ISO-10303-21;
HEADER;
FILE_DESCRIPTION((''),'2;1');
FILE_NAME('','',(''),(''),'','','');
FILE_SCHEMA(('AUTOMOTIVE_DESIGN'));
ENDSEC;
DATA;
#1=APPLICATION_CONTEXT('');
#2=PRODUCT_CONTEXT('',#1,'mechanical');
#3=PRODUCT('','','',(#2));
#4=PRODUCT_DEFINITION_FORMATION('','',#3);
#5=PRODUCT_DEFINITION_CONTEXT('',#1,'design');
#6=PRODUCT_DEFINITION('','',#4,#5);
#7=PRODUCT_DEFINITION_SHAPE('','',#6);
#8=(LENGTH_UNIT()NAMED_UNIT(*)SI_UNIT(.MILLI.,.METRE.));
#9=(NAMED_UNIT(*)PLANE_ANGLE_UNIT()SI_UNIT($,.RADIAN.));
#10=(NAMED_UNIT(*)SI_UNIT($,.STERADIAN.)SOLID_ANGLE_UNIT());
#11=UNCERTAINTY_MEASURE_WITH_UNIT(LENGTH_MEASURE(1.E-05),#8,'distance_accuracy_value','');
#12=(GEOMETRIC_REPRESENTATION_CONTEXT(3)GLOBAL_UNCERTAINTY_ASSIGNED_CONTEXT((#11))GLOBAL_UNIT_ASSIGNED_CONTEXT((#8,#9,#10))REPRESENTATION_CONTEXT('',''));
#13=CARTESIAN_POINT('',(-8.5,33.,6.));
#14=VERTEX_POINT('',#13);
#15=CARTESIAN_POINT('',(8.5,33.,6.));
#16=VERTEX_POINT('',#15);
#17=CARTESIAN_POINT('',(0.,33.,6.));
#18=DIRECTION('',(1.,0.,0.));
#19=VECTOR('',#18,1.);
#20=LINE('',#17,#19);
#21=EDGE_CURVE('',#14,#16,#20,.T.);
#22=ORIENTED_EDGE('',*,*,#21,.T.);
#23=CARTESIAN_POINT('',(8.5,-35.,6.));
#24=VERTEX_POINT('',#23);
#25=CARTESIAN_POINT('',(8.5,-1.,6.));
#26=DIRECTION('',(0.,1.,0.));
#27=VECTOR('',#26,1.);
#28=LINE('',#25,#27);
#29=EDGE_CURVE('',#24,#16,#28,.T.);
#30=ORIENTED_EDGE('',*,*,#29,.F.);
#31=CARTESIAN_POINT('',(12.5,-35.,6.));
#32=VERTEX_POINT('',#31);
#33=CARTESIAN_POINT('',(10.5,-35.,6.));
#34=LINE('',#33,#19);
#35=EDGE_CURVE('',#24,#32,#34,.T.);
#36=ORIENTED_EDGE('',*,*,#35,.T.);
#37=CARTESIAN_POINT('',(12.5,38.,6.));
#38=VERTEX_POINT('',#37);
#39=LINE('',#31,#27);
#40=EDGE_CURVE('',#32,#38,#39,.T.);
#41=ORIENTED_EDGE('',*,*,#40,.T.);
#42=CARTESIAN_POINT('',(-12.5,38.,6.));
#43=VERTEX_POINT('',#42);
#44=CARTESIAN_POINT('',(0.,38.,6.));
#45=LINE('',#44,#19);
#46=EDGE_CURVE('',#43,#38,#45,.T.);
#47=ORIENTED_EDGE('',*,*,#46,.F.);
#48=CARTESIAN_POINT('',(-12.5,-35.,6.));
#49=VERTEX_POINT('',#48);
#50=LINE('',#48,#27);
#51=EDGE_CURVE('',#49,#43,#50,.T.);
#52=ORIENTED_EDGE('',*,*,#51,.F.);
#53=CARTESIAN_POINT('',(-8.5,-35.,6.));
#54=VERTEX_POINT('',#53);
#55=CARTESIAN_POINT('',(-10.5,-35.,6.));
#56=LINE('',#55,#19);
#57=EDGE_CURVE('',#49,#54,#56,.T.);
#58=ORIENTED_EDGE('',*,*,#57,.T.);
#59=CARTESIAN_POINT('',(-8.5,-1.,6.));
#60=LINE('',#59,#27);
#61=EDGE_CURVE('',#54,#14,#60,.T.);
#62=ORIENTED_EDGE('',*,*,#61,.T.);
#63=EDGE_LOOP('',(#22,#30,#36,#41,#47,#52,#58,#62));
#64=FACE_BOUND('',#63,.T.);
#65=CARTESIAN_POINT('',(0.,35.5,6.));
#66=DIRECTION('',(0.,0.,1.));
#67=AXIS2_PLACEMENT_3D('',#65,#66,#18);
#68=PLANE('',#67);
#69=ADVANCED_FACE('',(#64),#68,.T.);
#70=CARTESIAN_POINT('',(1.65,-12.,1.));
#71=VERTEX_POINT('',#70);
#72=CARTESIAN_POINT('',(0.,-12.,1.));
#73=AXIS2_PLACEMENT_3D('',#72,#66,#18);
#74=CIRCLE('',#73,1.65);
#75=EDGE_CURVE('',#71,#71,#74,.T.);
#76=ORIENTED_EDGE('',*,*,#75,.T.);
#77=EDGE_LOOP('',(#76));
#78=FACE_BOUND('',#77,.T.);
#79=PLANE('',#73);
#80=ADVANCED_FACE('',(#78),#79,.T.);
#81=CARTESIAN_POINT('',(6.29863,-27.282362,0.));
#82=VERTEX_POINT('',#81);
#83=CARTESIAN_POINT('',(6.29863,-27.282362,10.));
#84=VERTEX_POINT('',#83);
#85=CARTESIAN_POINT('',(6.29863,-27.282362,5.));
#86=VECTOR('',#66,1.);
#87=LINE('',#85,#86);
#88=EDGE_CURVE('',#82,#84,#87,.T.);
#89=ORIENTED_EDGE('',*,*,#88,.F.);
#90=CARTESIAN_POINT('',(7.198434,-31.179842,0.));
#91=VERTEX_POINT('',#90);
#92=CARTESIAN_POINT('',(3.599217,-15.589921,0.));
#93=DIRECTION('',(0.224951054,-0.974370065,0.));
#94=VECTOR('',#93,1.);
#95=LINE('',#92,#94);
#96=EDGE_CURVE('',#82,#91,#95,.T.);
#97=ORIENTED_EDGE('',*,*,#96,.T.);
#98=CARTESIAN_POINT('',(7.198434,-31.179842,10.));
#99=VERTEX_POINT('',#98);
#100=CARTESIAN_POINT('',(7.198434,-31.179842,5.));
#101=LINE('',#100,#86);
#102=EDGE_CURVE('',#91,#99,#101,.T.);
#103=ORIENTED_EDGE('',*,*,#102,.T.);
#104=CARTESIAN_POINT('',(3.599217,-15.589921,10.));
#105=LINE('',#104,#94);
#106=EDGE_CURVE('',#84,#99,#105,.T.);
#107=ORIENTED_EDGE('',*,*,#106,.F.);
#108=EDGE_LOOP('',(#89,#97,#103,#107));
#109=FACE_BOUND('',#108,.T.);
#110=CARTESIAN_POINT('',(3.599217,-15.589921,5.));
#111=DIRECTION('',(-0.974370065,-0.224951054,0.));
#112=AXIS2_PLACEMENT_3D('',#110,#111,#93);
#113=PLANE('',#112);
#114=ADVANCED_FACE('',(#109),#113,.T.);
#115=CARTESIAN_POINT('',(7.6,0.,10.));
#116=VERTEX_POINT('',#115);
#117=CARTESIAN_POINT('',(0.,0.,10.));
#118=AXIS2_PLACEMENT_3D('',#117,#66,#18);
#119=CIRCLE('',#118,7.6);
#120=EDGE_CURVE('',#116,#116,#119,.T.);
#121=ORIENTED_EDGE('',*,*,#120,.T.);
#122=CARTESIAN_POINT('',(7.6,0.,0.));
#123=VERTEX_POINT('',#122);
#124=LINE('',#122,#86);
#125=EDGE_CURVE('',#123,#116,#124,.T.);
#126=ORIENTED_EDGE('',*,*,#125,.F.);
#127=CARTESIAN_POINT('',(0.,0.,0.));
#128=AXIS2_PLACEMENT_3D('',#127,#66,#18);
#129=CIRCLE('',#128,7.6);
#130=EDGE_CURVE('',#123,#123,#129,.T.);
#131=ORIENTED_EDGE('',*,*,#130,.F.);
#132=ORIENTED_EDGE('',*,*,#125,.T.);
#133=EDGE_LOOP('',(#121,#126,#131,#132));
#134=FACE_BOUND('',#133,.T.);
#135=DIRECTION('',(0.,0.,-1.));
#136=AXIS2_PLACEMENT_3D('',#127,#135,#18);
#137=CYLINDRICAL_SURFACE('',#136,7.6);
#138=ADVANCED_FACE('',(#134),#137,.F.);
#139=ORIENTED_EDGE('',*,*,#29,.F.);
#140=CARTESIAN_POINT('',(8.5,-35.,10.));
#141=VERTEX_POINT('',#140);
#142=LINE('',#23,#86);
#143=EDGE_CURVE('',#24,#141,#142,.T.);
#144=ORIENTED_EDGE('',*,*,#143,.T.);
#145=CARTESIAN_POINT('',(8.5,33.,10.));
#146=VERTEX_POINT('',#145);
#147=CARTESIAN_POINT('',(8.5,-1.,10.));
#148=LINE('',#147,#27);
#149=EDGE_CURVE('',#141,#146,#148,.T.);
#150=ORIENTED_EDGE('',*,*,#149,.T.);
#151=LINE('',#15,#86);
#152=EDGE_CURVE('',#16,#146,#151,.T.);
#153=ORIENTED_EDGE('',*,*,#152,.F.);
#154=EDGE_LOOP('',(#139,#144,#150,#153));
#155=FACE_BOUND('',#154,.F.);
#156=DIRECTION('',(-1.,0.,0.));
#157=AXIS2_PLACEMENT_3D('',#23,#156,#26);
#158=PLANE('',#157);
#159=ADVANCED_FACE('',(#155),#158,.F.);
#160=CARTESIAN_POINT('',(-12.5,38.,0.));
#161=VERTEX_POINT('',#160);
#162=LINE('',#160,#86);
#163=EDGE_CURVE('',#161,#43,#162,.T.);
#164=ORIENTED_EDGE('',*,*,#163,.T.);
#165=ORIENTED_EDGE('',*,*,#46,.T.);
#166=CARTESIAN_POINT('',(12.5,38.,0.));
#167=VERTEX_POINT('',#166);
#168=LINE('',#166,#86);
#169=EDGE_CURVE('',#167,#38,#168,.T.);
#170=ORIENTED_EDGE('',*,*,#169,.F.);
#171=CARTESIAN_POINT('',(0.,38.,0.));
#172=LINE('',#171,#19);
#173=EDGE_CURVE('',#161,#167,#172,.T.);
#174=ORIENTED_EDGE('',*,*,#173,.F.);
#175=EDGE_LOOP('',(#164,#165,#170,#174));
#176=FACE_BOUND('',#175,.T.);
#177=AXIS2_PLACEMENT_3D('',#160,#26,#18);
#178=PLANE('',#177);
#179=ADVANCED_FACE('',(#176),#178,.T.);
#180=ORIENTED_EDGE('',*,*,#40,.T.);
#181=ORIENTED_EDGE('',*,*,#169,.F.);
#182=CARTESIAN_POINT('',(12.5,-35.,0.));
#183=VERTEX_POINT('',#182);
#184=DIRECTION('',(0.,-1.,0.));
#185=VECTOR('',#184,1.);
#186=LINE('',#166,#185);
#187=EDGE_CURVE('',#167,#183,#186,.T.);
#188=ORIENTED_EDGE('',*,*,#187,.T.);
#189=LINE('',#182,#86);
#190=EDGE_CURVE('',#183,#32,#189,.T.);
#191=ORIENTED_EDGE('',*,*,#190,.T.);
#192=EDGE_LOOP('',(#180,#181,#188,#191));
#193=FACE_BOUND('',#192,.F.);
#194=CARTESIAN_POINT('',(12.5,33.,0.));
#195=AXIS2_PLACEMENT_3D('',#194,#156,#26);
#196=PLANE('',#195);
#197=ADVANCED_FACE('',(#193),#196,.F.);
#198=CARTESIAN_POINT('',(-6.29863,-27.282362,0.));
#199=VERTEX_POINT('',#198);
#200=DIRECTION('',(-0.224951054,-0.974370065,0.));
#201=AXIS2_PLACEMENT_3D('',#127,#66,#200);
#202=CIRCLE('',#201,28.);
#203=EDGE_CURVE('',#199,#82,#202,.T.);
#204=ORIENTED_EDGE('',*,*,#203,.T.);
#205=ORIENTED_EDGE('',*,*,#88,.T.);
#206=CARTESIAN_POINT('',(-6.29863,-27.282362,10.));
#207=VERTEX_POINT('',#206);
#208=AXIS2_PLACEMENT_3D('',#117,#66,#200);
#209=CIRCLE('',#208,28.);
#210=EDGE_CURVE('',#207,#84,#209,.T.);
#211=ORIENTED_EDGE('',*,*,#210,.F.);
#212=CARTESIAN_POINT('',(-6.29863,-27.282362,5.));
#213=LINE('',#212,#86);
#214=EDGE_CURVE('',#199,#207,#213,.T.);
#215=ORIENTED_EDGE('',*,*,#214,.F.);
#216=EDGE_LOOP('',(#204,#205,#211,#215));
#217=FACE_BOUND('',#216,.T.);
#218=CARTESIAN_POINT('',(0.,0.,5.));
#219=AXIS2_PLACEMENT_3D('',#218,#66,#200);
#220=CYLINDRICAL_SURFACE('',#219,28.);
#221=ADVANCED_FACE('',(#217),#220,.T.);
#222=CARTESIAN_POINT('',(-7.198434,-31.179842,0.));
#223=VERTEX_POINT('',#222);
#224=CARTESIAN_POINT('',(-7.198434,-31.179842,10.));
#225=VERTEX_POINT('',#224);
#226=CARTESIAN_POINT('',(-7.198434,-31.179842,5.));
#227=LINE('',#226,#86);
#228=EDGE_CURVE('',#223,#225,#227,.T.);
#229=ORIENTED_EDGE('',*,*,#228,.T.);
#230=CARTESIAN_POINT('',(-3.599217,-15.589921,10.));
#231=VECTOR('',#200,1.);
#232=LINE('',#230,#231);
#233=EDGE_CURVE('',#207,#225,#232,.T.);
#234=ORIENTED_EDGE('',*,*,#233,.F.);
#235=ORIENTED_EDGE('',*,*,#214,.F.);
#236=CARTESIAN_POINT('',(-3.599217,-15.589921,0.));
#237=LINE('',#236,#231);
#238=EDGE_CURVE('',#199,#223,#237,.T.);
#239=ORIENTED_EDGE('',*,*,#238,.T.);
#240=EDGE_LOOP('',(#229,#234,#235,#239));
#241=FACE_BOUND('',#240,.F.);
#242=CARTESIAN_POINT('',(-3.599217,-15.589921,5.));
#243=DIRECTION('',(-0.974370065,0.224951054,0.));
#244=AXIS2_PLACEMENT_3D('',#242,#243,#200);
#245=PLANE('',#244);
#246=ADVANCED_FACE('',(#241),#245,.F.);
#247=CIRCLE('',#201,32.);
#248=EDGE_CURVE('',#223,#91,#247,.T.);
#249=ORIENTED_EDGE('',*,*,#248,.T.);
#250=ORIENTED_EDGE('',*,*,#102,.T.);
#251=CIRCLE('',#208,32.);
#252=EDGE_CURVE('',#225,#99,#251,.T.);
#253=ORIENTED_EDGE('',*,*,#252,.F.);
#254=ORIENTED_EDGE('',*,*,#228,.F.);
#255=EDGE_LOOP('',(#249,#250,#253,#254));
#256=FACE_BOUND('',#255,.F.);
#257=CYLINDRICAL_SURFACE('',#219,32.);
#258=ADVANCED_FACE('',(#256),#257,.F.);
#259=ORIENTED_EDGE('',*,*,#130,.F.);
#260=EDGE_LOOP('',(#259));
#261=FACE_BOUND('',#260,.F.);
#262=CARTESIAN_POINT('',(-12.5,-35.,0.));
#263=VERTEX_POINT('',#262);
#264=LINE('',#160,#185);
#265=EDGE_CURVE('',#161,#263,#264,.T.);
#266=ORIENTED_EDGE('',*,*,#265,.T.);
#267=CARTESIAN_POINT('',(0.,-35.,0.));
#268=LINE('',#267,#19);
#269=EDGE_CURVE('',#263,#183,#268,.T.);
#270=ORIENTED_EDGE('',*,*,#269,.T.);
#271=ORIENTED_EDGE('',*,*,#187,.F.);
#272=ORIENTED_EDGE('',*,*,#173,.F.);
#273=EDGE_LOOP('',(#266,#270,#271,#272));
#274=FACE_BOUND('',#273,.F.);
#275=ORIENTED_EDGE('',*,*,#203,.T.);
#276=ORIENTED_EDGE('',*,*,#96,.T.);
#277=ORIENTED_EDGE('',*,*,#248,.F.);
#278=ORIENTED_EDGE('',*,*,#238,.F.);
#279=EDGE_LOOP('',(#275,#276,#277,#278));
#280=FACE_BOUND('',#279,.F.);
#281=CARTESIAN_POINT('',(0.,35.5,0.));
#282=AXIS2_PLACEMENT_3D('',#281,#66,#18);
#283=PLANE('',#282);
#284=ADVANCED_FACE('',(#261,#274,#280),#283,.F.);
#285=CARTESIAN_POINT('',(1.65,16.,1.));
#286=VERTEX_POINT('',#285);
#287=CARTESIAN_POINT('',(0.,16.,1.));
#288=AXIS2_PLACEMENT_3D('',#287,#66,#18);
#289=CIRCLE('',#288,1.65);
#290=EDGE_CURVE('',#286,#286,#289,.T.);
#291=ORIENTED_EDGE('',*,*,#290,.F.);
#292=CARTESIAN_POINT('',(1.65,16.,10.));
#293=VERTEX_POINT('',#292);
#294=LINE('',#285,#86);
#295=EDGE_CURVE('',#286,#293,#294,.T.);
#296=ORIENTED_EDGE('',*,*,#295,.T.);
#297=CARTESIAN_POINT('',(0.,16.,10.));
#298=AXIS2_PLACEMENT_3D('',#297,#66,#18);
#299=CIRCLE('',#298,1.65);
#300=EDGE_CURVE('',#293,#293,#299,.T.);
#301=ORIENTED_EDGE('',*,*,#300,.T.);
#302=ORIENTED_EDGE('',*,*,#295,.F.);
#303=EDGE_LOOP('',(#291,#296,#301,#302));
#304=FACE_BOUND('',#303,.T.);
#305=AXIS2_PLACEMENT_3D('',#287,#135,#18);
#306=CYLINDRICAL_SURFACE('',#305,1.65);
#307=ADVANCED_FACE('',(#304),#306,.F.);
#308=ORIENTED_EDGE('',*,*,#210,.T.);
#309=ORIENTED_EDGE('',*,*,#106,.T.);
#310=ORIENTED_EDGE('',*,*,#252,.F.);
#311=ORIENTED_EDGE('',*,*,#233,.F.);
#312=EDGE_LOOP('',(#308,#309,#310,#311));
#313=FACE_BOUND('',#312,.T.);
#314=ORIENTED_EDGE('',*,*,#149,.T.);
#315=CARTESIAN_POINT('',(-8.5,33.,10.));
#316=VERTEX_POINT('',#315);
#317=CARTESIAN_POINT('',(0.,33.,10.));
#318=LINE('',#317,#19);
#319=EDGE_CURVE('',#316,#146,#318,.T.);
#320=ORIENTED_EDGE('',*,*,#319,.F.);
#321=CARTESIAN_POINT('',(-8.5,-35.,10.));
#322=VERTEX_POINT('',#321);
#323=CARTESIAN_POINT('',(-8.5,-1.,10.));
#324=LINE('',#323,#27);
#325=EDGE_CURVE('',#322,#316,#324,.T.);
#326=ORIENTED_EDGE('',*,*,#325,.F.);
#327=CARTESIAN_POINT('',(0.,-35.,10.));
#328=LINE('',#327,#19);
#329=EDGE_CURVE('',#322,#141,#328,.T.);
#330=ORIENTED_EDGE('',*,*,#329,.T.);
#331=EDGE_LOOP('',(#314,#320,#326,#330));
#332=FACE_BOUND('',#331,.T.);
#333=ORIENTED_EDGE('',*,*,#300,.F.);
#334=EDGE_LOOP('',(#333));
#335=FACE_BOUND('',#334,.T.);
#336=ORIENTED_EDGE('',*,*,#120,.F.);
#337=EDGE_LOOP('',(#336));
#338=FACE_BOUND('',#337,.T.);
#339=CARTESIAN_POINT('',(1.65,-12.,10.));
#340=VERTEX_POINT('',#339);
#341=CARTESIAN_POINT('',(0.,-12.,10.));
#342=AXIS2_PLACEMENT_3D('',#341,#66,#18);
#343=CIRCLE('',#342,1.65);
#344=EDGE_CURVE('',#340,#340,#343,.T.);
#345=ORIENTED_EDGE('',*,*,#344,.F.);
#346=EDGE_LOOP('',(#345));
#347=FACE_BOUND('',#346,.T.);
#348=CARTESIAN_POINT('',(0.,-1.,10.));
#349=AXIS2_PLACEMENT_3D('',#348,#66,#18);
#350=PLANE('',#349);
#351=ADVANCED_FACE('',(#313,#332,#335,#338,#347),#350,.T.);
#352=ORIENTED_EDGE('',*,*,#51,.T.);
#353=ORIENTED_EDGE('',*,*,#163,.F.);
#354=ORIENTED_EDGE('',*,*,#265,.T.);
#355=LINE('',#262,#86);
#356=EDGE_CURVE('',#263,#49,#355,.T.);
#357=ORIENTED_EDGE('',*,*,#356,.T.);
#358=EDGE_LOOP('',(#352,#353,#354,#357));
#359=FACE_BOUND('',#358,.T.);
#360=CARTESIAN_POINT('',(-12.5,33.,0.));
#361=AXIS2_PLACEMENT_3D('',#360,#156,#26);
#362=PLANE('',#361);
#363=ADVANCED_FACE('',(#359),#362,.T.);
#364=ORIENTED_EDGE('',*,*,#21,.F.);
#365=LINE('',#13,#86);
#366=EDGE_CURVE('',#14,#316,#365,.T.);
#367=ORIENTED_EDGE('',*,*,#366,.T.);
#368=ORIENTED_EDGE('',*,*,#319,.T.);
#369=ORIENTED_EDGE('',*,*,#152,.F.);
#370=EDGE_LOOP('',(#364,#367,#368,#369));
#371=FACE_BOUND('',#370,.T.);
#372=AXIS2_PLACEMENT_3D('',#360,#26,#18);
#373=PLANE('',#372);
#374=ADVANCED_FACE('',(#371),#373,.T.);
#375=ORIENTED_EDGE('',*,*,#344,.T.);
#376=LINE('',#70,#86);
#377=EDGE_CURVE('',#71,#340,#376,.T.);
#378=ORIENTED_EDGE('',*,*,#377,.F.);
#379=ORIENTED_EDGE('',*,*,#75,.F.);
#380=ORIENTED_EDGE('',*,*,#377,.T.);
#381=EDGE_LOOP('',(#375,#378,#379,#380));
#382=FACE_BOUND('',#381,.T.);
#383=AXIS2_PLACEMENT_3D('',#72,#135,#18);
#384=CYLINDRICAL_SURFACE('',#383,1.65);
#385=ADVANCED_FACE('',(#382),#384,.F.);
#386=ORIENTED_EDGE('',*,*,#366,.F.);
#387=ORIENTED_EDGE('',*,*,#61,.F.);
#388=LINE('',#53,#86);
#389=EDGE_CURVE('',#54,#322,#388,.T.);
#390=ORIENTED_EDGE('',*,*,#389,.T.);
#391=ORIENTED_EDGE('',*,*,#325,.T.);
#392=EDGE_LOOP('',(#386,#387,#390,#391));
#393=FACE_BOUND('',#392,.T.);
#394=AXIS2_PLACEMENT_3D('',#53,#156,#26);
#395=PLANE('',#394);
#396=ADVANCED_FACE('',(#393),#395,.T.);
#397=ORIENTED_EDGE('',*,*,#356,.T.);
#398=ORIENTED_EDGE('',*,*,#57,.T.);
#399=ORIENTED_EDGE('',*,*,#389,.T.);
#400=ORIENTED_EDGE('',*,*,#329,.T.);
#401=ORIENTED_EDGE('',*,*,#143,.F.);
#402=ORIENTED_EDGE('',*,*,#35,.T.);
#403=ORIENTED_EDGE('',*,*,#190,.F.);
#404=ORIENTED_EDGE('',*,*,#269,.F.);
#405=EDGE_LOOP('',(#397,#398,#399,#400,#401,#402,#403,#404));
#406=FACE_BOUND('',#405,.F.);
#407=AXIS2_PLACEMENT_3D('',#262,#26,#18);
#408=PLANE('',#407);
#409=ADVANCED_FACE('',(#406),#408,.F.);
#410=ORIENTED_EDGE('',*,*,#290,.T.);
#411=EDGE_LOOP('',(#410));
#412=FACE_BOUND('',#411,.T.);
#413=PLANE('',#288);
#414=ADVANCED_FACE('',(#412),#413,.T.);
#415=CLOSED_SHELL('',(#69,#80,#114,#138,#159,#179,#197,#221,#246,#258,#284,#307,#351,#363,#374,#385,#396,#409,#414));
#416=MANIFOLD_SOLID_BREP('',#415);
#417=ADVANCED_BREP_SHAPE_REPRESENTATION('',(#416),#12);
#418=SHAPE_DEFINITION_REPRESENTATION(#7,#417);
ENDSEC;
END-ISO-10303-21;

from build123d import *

# Parameters (mm, degrees)
BOX003_W                    = 25
BOX003_H                    = 5
BOX003_DEPTH                = 6
CYLINDER_R                  = 7.6
CYLINDER_DEPTH              = 10
CYLINDER004_R               = 1.65
CYLINDER004_DEPTH           = 9
CYLINDER005_R               = 1.65
CYLINDER005_DEPTH           = 9
BOX_W                       = 4
BOX_H                       = 68
BOX_DEPTH                   = 4
BOX002_W                    = 4
BOX002_H                    = 68
BOX002_DEPTH                = 4
CYLINDER003_W               = 28
CYLINDER003_H               = 10
CYLINDER003_ANGLE           = 26
CYLINDER003_PLACEMENT_ANGLE = 103
CYLINDER002_W               = 32
CYLINDER002_H               = 10
CYLINDER002_ANGLE           = 26
CYLINDER002_PLACEMENT_ANGLE = 103
BOX001_W                    = 25
BOX001_H                    = 68
BOX001_DEPTH                = 10


with BuildPart() as w_rfel:
    # Box003 → Box003 (new body)
    with BuildSketch(Plane(origin=(-12.5, 33, 0), x_dir=(1, 0, 0), z_dir=(0, 0, 1))):
        with Locations((12.5, 2.5)):
            Rectangle(BOX003_W, BOX003_H)
    extrude(amount=BOX003_DEPTH)


with BuildPart() as zylinder:
    # Cylinder → Cylinder (new body)
    with BuildSketch(Plane.XY):
        Circle(CYLINDER_R)
    extrude(amount=CYLINDER_DEPTH)


with BuildPart() as zylinder003:
    # Cylinder004 → Cylinder004 (new body)
    with BuildSketch(Plane(origin=(0, -12, 1), x_dir=(1, 0, 0), z_dir=(0, 0, 1))):
        Circle(CYLINDER004_R)
    extrude(amount=CYLINDER004_DEPTH)


with BuildPart() as zylinder004:
    # Cylinder005 → Cylinder005 (new body)
    with BuildSketch(Plane(origin=(0, 16, 1), x_dir=(1, 0, 0), z_dir=(0, 0, 1))):
        Circle(CYLINDER005_R)
    extrude(amount=CYLINDER005_DEPTH)


with BuildPart() as w_rfel002:
    # Box → Box (new body)
    with BuildSketch(Plane(origin=(8.5, -35, 6), x_dir=(1, 0, 0), z_dir=(0, 0, 1))):
        with Locations((2, 34)):
            Rectangle(BOX_W, BOX_H)
    extrude(amount=BOX_DEPTH)


with BuildPart() as w_rfel003:
    # Box002 → Box002 (new body)
    with BuildSketch(Plane(origin=(-12.5, -35, 6), x_dir=(1, 0, 0), z_dir=(0, 0, 1))):
        with Locations((2, 34)):
            Rectangle(BOX002_W, BOX002_H)
    extrude(amount=BOX002_DEPTH)


with BuildPart() as zylinder002:
    # Cylinder003 → Cylinder003 (revolve)
    with BuildSketch(Plane.XZ):
        with Locations((14, 5)):
            Rectangle(CYLINDER003_W, CYLINDER003_H)
    revolve(axis=Axis((0, 0, 0), (0, 0, 1)), revolution_arc=CYLINDER003_ANGLE)


with BuildPart() as zylinder002_1:
    # Cylinder003 placement: moved
    add(zylinder002.part.rotate(Axis((0, 0, 0), (0, 0, -1)), CYLINDER003_PLACEMENT_ANGLE))


with BuildPart() as fusion:
    # Cylinder002 → Cylinder002 (revolve)
    with BuildSketch(Plane.XZ):
        with Locations((16, 5)):
            Rectangle(CYLINDER002_W, CYLINDER002_H)
    revolve(axis=Axis((0, 0, 0), (0, 0, 1)), revolution_arc=CYLINDER002_ANGLE)


with BuildPart() as fusion_1:
    # Cylinder002 placement: moved
    add(fusion.part.rotate(Axis((0, 0, 0), (0, 0, -1)), CYLINDER002_PLACEMENT_ANGLE))

    # Cut001: cut Zylinder002
    add(zylinder002_1.part, mode=Mode.SUBTRACT)

    # Fusion: union Zylinder, Zylinder003, Zylinder004, Würfel002, Würfel003
    add(zylinder.part)
    add(zylinder003.part)
    add(zylinder004.part)
    add(w_rfel002.part)
    add(w_rfel003.part)


with BuildPart() as fusion001:
    # Box001 → Box001 (new body)
    with BuildSketch(Plane(origin=(-12.5, -35, 0), x_dir=(1, 0, 0), z_dir=(0, 0, 1))):
        with Locations((12.5, 34)):
            Rectangle(BOX001_W, BOX001_H)
    extrude(amount=BOX001_DEPTH)

    # Cut: cut Fusion
    add(fusion_1.part, mode=Mode.SUBTRACT)

    # Fusion001: union Würfel
    add(w_rfel.part)


solid = fusion001.part
